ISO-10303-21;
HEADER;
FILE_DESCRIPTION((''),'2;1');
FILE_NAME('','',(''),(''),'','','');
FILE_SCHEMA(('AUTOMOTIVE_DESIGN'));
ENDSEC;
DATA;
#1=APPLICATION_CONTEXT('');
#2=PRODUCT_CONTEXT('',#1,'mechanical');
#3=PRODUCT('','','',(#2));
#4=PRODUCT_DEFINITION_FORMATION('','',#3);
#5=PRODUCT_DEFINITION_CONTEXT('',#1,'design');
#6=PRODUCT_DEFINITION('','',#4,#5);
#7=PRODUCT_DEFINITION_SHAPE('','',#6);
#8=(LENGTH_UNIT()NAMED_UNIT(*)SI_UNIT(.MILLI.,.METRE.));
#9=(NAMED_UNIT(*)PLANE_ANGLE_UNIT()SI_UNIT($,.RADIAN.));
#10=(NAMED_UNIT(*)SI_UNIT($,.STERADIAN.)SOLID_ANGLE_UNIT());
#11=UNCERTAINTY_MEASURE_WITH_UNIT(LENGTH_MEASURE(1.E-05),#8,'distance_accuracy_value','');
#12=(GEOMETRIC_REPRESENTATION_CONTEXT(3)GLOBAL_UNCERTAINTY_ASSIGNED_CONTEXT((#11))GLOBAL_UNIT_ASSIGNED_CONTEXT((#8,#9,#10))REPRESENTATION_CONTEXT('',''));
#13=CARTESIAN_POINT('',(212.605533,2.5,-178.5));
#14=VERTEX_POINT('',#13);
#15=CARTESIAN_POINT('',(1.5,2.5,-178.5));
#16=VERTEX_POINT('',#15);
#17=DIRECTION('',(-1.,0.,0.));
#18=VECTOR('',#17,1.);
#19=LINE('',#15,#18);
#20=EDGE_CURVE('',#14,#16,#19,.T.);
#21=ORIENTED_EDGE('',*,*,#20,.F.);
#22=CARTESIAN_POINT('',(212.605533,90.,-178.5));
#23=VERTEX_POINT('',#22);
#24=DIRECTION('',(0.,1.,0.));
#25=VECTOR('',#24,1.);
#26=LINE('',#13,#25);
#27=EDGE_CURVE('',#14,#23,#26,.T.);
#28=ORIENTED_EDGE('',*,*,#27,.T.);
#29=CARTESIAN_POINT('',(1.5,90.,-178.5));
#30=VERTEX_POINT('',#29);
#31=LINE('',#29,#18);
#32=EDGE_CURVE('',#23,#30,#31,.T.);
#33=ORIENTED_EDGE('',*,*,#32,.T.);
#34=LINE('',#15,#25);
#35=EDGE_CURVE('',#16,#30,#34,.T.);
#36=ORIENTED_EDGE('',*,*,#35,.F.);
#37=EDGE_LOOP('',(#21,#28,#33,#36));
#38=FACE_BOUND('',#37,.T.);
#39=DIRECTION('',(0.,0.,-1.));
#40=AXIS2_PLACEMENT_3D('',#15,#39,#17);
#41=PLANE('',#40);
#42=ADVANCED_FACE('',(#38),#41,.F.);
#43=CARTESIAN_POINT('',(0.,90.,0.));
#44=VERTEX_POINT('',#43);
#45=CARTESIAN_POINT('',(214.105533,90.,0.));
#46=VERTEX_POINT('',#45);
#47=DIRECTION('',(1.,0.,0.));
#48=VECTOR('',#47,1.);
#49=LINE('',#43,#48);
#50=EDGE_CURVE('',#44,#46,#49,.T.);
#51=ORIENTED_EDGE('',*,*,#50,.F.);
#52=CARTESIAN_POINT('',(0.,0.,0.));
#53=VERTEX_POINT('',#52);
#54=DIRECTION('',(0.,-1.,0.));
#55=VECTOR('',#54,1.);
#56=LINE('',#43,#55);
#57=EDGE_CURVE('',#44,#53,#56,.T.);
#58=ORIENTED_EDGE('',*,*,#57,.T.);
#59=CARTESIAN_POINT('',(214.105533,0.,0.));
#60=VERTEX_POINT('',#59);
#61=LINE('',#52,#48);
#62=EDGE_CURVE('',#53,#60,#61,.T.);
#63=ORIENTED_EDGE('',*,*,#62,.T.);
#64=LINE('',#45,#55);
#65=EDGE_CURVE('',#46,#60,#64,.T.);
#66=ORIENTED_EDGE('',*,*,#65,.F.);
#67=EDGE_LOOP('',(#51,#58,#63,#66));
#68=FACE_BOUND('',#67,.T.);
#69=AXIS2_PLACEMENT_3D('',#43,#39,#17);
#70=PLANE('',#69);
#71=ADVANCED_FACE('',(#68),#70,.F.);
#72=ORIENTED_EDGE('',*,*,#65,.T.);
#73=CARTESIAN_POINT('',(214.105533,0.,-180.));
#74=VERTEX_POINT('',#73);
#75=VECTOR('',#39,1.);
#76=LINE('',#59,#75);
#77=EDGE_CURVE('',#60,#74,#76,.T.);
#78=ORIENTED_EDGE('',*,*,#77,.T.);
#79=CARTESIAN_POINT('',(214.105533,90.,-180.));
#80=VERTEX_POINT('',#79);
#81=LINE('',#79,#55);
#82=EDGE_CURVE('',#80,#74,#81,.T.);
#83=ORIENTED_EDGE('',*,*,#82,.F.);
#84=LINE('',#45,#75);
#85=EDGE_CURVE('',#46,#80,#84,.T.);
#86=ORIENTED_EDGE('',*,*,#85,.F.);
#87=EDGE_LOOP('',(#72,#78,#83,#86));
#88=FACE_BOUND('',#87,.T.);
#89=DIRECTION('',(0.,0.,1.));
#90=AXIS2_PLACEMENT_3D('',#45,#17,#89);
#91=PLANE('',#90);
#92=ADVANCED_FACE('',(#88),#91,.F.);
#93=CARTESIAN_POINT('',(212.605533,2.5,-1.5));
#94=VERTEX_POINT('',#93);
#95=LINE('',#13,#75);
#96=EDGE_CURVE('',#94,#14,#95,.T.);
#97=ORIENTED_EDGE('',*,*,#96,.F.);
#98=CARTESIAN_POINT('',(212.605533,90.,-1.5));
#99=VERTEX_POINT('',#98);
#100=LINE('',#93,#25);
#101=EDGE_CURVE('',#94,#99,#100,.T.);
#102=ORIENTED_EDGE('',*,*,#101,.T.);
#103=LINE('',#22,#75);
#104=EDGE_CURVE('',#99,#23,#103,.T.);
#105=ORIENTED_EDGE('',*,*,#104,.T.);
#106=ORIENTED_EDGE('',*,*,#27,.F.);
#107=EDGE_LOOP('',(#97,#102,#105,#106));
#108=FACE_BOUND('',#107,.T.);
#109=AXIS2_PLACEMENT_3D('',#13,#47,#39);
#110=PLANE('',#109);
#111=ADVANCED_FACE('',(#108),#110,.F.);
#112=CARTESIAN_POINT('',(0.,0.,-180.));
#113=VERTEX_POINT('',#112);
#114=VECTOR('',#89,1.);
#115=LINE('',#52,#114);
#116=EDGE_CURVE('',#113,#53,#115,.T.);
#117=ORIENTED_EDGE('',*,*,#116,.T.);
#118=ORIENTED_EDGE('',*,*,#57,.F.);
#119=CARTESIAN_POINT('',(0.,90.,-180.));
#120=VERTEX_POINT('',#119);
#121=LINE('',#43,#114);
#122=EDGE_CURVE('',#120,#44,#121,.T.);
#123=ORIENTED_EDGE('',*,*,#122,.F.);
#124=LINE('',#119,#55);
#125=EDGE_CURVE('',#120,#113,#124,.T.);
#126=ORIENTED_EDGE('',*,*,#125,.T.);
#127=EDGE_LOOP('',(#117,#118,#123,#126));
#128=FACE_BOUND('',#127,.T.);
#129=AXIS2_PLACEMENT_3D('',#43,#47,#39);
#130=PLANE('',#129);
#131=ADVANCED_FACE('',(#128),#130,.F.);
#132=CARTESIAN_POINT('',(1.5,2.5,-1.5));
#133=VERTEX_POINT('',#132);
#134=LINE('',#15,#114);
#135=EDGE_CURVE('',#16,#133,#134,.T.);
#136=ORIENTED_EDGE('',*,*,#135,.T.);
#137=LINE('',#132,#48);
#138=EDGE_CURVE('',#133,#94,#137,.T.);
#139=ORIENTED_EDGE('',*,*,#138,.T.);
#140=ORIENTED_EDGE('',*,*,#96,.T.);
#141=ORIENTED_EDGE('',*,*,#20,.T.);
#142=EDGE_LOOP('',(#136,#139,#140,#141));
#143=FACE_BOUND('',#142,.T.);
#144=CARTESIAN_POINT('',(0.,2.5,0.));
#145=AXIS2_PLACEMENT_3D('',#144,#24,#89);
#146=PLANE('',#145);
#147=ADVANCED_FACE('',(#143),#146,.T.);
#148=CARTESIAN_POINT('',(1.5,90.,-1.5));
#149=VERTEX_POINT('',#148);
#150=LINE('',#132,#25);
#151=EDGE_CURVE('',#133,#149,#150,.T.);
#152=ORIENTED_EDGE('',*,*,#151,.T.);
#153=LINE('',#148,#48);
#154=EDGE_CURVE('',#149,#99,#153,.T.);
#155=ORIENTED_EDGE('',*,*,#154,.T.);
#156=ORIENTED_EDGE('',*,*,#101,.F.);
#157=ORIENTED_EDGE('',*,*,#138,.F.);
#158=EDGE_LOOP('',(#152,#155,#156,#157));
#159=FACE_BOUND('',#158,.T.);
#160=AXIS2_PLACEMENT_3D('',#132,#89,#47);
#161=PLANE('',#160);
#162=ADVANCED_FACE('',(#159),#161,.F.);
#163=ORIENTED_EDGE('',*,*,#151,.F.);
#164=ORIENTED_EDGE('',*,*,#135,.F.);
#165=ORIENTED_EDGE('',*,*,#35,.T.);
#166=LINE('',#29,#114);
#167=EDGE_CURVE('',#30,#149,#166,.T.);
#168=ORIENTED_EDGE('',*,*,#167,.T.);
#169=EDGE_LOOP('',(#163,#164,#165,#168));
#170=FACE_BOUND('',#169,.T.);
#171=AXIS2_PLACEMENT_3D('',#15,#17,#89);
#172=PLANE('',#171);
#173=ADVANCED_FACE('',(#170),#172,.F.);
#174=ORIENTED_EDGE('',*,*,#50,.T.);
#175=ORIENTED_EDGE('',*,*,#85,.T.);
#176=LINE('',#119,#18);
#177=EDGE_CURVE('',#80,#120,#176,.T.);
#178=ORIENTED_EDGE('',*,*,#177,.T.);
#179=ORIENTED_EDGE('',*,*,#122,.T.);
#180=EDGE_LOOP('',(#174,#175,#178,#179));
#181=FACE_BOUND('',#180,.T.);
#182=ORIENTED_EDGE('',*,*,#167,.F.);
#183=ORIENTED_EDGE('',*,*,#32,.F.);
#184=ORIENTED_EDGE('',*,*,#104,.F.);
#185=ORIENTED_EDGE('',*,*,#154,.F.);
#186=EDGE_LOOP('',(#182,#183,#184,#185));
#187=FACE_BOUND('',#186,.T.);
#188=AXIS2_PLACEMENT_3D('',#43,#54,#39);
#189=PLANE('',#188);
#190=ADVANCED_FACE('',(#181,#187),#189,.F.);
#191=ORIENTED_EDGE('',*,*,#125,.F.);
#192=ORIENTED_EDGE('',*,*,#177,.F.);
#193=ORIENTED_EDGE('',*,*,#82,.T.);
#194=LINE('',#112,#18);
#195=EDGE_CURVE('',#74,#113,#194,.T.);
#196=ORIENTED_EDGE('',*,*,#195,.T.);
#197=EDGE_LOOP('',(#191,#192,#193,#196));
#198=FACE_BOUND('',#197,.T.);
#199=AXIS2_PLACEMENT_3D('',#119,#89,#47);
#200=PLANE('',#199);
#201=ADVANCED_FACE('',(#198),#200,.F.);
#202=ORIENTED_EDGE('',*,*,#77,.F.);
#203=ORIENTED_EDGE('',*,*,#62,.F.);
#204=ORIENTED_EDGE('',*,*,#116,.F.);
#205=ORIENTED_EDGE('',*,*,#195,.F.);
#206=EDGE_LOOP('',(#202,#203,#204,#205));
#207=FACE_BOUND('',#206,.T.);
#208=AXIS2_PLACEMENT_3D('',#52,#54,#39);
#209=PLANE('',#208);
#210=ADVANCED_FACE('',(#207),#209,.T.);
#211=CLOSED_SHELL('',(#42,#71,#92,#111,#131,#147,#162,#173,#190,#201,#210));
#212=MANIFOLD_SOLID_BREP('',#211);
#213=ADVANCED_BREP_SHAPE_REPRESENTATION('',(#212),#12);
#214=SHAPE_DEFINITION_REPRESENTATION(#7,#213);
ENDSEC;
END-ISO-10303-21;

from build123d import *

# Parameters (mm, degrees)
SKETCH1_W           = 214.105532568
SKETCH1_H           = 180
BOSS_EXTRUDE1_DEPTH = 90
SKETCH2_W           = 211.105532568
SKETCH2_H           = 177
CUT_EXTRUDE1_DEPTH  = 87.5


with BuildPart() as part:
    # Sketch1 → Boss-Extrude1 (new body)
    with BuildSketch(Plane(origin=(0, 0, 0), x_dir=(1, 0, 0), z_dir=(0, 1, 0))):
        with Locations((107.052766284, 90)):
            Rectangle(SKETCH1_W, SKETCH1_H)
    extrude(amount=BOSS_EXTRUDE1_DEPTH)

    # Sketch2 → Cut-Extrude1 (cut)
    with BuildSketch(Plane(origin=(0, 90, 0), x_dir=(1, 0, 0), z_dir=(0, 1, 0))):
        with Locations((107.052766284, 90)):
            Rectangle(SKETCH2_W, SKETCH2_H)
    extrude(amount=-CUT_EXTRUDE1_DEPTH, mode=Mode.SUBTRACT)


solid = part.part
